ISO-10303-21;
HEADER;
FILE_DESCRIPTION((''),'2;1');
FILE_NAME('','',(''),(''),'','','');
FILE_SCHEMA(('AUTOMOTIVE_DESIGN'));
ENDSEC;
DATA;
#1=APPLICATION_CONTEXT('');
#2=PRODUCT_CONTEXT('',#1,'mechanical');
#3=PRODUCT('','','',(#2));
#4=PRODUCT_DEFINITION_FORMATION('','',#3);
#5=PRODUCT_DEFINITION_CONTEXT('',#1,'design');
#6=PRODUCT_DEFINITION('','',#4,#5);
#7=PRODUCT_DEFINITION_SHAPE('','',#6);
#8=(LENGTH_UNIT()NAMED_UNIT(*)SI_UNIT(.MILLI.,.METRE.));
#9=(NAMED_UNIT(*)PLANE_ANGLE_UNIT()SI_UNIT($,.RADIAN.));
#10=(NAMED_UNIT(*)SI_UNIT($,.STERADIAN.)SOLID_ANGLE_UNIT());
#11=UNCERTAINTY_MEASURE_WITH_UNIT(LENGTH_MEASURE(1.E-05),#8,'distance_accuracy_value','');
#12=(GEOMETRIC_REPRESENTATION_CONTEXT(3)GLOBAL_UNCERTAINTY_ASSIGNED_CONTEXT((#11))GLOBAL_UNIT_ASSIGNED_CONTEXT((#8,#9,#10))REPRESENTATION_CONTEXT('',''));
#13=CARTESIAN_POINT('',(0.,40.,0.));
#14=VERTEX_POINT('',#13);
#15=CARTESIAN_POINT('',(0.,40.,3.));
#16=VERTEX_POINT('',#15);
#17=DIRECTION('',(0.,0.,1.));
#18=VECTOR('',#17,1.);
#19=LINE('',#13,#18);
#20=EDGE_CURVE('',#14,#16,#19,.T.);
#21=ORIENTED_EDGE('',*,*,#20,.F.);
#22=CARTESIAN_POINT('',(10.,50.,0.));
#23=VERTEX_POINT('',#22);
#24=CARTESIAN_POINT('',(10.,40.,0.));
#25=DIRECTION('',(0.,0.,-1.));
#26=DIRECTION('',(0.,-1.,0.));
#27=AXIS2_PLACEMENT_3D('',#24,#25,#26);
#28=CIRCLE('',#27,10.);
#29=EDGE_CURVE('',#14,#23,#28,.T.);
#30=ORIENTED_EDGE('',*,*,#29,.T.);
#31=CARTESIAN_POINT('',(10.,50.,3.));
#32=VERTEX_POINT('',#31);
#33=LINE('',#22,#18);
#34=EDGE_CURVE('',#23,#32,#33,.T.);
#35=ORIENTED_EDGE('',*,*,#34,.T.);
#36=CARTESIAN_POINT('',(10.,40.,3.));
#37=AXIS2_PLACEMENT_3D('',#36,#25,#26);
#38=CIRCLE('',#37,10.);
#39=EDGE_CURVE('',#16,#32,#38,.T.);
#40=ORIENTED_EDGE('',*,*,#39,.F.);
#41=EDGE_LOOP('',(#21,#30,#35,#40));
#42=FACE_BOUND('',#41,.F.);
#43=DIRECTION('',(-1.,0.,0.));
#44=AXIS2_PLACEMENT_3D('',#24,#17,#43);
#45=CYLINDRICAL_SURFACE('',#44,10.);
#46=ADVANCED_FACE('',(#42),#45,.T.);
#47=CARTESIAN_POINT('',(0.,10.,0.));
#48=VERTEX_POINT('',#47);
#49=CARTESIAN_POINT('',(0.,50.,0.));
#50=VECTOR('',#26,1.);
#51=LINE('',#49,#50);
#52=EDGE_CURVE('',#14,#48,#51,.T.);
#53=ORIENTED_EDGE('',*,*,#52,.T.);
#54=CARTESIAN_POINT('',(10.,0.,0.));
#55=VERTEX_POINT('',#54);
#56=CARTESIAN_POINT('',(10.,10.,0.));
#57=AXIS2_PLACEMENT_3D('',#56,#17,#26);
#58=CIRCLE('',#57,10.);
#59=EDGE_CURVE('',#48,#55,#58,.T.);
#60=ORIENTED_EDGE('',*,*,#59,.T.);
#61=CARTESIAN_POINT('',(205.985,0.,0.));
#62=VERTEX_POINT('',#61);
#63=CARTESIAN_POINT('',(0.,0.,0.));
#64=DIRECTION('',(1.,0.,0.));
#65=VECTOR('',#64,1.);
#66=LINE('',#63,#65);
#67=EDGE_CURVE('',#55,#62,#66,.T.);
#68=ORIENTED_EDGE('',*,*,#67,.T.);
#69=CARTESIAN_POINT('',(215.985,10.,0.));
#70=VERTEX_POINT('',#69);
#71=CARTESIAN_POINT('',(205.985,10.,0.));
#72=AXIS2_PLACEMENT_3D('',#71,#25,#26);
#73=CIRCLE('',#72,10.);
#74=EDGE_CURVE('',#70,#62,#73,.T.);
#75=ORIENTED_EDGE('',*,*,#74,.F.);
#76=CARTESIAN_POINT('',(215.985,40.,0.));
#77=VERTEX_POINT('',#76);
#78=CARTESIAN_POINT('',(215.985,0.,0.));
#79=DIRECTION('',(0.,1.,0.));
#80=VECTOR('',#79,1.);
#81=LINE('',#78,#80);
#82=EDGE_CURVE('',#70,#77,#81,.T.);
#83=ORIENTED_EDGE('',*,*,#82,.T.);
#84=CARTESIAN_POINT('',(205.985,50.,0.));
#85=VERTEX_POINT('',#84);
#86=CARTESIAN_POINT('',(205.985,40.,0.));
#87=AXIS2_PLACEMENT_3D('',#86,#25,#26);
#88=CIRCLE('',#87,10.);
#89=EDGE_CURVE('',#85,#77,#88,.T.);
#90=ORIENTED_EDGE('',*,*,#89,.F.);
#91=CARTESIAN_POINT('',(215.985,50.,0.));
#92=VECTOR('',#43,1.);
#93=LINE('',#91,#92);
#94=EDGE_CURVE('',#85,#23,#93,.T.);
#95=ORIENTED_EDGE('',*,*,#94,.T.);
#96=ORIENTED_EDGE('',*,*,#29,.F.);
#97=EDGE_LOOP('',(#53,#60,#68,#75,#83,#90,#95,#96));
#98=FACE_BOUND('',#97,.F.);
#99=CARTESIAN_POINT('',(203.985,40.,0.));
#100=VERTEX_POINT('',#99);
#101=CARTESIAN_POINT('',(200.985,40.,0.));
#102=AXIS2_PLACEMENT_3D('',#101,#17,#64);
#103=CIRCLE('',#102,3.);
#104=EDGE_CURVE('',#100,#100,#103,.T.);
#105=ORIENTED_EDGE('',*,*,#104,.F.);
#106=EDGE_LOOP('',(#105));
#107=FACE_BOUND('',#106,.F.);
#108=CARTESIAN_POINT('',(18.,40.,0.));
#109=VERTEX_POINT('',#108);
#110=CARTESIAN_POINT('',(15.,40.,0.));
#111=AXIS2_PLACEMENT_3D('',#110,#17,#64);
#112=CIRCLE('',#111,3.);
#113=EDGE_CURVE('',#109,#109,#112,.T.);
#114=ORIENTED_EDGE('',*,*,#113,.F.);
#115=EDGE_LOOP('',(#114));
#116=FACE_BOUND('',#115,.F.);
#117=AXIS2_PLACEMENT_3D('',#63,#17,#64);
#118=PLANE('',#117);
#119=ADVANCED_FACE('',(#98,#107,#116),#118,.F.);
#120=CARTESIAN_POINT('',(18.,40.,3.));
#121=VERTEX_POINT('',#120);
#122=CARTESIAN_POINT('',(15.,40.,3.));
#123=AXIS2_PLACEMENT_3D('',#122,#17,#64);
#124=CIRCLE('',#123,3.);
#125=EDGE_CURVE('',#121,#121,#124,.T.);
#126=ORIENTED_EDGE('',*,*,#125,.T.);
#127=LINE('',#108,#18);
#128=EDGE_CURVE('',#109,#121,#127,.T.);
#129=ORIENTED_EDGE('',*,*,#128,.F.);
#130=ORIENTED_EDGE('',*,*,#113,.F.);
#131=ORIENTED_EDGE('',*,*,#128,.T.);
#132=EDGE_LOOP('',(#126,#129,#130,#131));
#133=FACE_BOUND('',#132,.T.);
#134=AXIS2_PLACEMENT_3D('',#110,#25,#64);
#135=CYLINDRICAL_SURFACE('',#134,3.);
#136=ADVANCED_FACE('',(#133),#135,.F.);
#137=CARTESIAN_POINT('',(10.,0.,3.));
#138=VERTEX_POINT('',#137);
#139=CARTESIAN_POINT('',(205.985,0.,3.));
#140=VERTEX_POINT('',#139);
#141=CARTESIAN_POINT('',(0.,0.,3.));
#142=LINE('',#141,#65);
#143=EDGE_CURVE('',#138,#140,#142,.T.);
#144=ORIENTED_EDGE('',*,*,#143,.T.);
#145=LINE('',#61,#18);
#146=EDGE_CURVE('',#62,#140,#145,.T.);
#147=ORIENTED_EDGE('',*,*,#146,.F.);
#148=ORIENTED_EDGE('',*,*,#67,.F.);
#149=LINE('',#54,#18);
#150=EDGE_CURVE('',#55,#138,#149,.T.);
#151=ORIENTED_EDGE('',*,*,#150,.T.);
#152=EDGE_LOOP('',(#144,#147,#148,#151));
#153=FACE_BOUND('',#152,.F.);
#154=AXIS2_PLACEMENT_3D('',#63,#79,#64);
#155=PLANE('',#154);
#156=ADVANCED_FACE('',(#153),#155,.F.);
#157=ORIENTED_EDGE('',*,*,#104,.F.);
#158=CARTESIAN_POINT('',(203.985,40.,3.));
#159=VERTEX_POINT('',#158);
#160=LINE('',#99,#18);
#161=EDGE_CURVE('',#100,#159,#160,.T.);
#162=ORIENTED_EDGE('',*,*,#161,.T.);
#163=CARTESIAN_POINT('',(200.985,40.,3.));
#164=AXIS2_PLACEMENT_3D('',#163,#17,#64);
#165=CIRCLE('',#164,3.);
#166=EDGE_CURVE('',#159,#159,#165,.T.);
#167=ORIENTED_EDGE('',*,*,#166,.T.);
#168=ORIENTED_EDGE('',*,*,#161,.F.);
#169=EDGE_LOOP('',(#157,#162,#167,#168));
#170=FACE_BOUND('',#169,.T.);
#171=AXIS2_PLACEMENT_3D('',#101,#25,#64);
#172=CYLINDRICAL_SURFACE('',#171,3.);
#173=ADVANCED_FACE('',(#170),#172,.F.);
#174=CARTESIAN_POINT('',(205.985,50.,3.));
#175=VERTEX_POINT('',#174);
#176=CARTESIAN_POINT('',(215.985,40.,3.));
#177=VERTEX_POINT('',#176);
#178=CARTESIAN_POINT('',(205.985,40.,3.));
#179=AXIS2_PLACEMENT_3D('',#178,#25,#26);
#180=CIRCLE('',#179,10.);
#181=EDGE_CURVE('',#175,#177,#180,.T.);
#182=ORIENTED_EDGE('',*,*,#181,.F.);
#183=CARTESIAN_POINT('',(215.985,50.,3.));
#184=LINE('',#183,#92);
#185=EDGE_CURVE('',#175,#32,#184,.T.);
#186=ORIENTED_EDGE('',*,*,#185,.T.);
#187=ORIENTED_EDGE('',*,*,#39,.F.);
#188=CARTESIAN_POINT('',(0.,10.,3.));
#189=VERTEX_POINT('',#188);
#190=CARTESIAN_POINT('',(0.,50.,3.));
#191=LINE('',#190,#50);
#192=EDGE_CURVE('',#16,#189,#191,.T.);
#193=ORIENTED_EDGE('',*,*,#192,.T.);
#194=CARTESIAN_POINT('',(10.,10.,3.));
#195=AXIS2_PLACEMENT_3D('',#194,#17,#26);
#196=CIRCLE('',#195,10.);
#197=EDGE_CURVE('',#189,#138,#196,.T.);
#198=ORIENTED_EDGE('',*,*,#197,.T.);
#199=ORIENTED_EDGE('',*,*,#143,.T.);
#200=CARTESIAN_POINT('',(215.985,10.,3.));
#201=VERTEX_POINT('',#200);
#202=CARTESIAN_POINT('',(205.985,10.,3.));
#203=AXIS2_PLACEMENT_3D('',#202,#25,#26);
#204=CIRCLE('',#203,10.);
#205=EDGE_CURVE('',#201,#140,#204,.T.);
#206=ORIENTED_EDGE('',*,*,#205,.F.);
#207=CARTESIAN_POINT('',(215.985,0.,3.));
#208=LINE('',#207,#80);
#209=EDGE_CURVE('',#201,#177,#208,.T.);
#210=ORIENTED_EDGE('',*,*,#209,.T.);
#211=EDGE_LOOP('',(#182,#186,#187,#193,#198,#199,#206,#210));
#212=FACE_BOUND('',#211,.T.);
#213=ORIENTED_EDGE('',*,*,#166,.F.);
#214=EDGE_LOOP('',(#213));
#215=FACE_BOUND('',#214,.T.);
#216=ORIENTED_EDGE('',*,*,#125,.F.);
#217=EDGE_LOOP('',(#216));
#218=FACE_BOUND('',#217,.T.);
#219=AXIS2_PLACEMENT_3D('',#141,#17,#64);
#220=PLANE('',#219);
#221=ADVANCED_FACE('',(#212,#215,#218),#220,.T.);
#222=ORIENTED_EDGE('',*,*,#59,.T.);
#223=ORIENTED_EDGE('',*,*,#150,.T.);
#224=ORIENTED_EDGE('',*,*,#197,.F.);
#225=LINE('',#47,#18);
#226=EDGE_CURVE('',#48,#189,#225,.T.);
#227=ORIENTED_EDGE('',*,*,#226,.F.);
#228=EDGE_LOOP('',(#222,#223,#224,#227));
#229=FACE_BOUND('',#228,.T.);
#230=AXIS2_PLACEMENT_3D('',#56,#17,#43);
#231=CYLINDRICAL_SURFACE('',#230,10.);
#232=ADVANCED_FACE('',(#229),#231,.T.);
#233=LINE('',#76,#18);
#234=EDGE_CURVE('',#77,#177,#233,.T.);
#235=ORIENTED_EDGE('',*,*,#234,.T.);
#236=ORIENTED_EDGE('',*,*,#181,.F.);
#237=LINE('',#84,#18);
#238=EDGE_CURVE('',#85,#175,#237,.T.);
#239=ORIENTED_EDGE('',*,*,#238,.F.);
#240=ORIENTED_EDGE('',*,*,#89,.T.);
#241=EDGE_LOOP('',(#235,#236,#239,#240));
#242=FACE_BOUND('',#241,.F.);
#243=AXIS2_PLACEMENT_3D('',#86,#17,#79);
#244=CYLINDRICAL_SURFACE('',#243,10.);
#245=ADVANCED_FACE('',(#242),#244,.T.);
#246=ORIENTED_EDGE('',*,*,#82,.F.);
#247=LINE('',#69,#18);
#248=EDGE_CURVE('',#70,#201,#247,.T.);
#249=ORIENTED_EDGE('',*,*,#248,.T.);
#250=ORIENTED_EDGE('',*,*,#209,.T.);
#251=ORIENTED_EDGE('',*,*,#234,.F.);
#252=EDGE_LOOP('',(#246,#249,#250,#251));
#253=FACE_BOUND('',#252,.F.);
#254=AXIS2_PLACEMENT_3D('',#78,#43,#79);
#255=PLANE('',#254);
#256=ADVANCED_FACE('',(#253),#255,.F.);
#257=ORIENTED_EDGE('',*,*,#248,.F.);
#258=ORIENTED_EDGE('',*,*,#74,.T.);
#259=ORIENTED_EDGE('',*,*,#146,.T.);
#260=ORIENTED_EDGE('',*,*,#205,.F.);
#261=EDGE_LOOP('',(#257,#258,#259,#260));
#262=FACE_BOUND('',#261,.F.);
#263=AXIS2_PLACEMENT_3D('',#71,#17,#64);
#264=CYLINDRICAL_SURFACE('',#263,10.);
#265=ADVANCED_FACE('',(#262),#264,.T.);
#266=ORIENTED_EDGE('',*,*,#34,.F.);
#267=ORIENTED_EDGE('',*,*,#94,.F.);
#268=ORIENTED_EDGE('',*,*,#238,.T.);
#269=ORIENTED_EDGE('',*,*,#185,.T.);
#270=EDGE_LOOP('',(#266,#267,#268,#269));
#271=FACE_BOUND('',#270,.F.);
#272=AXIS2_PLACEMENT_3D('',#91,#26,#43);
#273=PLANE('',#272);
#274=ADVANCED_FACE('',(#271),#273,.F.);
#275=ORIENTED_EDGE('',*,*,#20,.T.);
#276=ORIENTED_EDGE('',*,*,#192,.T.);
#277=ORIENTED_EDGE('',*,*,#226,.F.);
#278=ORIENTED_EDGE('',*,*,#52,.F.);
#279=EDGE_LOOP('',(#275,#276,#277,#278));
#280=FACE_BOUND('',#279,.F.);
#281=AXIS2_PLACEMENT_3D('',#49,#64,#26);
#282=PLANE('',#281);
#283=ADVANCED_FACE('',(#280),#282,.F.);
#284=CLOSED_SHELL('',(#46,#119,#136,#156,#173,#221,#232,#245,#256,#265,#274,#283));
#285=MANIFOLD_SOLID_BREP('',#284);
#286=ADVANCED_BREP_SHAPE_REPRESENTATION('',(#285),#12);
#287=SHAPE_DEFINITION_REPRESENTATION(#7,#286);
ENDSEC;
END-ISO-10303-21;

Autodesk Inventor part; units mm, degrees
ref_plane "YZ Plane" through (0, 0, 0) normal (1, 0, 0) x (0, 1, 0)
ref_plane "XZ Plane" through (0, 0, 0) normal (0, 1, 0) x (-1, 0, 0)
ref_plane "XY Plane" through (0, 0, 0) normal (0, 0, 1) x (1, 0, 0)
sketch "Sketch1" plane through (0, 0, 0) normal (0, 0, 1) x (1, 0, 0)
  line L0 (0, 0) -> (215.985, 0)
  line L1 (215.985, 0) -> (215.985, 50)
  line L2 (215.985, 50) -> (0, 50)
  line L3 (0, 50) -> (0, 0)
  circle A0 centre (15, 40) radius 3
  line L4 (107.9925, 95.9564) -> (107.9925, 80.5337) construction
  circle A1 centre (200.985, 40) radius 3
  point P0 (107.9925, 50)
  point P1 (107.9925, 88.2451)
  dimension "d0" = 50
  dimension "d1" = 215.985
  dimension "d2" = 6
  dimension "d3" = 15
  dimension "d4" = 10
extrude "Extrusion1" add sketch "Sketch1" along normal blind 3
fillet "Fillet1" radius 10 4 edges at (215.985, 50, 1.5) (0, 50, 1.5) (215.985, 0, 1.5) (0, 0, 1.5)
properties part number "rackback"
